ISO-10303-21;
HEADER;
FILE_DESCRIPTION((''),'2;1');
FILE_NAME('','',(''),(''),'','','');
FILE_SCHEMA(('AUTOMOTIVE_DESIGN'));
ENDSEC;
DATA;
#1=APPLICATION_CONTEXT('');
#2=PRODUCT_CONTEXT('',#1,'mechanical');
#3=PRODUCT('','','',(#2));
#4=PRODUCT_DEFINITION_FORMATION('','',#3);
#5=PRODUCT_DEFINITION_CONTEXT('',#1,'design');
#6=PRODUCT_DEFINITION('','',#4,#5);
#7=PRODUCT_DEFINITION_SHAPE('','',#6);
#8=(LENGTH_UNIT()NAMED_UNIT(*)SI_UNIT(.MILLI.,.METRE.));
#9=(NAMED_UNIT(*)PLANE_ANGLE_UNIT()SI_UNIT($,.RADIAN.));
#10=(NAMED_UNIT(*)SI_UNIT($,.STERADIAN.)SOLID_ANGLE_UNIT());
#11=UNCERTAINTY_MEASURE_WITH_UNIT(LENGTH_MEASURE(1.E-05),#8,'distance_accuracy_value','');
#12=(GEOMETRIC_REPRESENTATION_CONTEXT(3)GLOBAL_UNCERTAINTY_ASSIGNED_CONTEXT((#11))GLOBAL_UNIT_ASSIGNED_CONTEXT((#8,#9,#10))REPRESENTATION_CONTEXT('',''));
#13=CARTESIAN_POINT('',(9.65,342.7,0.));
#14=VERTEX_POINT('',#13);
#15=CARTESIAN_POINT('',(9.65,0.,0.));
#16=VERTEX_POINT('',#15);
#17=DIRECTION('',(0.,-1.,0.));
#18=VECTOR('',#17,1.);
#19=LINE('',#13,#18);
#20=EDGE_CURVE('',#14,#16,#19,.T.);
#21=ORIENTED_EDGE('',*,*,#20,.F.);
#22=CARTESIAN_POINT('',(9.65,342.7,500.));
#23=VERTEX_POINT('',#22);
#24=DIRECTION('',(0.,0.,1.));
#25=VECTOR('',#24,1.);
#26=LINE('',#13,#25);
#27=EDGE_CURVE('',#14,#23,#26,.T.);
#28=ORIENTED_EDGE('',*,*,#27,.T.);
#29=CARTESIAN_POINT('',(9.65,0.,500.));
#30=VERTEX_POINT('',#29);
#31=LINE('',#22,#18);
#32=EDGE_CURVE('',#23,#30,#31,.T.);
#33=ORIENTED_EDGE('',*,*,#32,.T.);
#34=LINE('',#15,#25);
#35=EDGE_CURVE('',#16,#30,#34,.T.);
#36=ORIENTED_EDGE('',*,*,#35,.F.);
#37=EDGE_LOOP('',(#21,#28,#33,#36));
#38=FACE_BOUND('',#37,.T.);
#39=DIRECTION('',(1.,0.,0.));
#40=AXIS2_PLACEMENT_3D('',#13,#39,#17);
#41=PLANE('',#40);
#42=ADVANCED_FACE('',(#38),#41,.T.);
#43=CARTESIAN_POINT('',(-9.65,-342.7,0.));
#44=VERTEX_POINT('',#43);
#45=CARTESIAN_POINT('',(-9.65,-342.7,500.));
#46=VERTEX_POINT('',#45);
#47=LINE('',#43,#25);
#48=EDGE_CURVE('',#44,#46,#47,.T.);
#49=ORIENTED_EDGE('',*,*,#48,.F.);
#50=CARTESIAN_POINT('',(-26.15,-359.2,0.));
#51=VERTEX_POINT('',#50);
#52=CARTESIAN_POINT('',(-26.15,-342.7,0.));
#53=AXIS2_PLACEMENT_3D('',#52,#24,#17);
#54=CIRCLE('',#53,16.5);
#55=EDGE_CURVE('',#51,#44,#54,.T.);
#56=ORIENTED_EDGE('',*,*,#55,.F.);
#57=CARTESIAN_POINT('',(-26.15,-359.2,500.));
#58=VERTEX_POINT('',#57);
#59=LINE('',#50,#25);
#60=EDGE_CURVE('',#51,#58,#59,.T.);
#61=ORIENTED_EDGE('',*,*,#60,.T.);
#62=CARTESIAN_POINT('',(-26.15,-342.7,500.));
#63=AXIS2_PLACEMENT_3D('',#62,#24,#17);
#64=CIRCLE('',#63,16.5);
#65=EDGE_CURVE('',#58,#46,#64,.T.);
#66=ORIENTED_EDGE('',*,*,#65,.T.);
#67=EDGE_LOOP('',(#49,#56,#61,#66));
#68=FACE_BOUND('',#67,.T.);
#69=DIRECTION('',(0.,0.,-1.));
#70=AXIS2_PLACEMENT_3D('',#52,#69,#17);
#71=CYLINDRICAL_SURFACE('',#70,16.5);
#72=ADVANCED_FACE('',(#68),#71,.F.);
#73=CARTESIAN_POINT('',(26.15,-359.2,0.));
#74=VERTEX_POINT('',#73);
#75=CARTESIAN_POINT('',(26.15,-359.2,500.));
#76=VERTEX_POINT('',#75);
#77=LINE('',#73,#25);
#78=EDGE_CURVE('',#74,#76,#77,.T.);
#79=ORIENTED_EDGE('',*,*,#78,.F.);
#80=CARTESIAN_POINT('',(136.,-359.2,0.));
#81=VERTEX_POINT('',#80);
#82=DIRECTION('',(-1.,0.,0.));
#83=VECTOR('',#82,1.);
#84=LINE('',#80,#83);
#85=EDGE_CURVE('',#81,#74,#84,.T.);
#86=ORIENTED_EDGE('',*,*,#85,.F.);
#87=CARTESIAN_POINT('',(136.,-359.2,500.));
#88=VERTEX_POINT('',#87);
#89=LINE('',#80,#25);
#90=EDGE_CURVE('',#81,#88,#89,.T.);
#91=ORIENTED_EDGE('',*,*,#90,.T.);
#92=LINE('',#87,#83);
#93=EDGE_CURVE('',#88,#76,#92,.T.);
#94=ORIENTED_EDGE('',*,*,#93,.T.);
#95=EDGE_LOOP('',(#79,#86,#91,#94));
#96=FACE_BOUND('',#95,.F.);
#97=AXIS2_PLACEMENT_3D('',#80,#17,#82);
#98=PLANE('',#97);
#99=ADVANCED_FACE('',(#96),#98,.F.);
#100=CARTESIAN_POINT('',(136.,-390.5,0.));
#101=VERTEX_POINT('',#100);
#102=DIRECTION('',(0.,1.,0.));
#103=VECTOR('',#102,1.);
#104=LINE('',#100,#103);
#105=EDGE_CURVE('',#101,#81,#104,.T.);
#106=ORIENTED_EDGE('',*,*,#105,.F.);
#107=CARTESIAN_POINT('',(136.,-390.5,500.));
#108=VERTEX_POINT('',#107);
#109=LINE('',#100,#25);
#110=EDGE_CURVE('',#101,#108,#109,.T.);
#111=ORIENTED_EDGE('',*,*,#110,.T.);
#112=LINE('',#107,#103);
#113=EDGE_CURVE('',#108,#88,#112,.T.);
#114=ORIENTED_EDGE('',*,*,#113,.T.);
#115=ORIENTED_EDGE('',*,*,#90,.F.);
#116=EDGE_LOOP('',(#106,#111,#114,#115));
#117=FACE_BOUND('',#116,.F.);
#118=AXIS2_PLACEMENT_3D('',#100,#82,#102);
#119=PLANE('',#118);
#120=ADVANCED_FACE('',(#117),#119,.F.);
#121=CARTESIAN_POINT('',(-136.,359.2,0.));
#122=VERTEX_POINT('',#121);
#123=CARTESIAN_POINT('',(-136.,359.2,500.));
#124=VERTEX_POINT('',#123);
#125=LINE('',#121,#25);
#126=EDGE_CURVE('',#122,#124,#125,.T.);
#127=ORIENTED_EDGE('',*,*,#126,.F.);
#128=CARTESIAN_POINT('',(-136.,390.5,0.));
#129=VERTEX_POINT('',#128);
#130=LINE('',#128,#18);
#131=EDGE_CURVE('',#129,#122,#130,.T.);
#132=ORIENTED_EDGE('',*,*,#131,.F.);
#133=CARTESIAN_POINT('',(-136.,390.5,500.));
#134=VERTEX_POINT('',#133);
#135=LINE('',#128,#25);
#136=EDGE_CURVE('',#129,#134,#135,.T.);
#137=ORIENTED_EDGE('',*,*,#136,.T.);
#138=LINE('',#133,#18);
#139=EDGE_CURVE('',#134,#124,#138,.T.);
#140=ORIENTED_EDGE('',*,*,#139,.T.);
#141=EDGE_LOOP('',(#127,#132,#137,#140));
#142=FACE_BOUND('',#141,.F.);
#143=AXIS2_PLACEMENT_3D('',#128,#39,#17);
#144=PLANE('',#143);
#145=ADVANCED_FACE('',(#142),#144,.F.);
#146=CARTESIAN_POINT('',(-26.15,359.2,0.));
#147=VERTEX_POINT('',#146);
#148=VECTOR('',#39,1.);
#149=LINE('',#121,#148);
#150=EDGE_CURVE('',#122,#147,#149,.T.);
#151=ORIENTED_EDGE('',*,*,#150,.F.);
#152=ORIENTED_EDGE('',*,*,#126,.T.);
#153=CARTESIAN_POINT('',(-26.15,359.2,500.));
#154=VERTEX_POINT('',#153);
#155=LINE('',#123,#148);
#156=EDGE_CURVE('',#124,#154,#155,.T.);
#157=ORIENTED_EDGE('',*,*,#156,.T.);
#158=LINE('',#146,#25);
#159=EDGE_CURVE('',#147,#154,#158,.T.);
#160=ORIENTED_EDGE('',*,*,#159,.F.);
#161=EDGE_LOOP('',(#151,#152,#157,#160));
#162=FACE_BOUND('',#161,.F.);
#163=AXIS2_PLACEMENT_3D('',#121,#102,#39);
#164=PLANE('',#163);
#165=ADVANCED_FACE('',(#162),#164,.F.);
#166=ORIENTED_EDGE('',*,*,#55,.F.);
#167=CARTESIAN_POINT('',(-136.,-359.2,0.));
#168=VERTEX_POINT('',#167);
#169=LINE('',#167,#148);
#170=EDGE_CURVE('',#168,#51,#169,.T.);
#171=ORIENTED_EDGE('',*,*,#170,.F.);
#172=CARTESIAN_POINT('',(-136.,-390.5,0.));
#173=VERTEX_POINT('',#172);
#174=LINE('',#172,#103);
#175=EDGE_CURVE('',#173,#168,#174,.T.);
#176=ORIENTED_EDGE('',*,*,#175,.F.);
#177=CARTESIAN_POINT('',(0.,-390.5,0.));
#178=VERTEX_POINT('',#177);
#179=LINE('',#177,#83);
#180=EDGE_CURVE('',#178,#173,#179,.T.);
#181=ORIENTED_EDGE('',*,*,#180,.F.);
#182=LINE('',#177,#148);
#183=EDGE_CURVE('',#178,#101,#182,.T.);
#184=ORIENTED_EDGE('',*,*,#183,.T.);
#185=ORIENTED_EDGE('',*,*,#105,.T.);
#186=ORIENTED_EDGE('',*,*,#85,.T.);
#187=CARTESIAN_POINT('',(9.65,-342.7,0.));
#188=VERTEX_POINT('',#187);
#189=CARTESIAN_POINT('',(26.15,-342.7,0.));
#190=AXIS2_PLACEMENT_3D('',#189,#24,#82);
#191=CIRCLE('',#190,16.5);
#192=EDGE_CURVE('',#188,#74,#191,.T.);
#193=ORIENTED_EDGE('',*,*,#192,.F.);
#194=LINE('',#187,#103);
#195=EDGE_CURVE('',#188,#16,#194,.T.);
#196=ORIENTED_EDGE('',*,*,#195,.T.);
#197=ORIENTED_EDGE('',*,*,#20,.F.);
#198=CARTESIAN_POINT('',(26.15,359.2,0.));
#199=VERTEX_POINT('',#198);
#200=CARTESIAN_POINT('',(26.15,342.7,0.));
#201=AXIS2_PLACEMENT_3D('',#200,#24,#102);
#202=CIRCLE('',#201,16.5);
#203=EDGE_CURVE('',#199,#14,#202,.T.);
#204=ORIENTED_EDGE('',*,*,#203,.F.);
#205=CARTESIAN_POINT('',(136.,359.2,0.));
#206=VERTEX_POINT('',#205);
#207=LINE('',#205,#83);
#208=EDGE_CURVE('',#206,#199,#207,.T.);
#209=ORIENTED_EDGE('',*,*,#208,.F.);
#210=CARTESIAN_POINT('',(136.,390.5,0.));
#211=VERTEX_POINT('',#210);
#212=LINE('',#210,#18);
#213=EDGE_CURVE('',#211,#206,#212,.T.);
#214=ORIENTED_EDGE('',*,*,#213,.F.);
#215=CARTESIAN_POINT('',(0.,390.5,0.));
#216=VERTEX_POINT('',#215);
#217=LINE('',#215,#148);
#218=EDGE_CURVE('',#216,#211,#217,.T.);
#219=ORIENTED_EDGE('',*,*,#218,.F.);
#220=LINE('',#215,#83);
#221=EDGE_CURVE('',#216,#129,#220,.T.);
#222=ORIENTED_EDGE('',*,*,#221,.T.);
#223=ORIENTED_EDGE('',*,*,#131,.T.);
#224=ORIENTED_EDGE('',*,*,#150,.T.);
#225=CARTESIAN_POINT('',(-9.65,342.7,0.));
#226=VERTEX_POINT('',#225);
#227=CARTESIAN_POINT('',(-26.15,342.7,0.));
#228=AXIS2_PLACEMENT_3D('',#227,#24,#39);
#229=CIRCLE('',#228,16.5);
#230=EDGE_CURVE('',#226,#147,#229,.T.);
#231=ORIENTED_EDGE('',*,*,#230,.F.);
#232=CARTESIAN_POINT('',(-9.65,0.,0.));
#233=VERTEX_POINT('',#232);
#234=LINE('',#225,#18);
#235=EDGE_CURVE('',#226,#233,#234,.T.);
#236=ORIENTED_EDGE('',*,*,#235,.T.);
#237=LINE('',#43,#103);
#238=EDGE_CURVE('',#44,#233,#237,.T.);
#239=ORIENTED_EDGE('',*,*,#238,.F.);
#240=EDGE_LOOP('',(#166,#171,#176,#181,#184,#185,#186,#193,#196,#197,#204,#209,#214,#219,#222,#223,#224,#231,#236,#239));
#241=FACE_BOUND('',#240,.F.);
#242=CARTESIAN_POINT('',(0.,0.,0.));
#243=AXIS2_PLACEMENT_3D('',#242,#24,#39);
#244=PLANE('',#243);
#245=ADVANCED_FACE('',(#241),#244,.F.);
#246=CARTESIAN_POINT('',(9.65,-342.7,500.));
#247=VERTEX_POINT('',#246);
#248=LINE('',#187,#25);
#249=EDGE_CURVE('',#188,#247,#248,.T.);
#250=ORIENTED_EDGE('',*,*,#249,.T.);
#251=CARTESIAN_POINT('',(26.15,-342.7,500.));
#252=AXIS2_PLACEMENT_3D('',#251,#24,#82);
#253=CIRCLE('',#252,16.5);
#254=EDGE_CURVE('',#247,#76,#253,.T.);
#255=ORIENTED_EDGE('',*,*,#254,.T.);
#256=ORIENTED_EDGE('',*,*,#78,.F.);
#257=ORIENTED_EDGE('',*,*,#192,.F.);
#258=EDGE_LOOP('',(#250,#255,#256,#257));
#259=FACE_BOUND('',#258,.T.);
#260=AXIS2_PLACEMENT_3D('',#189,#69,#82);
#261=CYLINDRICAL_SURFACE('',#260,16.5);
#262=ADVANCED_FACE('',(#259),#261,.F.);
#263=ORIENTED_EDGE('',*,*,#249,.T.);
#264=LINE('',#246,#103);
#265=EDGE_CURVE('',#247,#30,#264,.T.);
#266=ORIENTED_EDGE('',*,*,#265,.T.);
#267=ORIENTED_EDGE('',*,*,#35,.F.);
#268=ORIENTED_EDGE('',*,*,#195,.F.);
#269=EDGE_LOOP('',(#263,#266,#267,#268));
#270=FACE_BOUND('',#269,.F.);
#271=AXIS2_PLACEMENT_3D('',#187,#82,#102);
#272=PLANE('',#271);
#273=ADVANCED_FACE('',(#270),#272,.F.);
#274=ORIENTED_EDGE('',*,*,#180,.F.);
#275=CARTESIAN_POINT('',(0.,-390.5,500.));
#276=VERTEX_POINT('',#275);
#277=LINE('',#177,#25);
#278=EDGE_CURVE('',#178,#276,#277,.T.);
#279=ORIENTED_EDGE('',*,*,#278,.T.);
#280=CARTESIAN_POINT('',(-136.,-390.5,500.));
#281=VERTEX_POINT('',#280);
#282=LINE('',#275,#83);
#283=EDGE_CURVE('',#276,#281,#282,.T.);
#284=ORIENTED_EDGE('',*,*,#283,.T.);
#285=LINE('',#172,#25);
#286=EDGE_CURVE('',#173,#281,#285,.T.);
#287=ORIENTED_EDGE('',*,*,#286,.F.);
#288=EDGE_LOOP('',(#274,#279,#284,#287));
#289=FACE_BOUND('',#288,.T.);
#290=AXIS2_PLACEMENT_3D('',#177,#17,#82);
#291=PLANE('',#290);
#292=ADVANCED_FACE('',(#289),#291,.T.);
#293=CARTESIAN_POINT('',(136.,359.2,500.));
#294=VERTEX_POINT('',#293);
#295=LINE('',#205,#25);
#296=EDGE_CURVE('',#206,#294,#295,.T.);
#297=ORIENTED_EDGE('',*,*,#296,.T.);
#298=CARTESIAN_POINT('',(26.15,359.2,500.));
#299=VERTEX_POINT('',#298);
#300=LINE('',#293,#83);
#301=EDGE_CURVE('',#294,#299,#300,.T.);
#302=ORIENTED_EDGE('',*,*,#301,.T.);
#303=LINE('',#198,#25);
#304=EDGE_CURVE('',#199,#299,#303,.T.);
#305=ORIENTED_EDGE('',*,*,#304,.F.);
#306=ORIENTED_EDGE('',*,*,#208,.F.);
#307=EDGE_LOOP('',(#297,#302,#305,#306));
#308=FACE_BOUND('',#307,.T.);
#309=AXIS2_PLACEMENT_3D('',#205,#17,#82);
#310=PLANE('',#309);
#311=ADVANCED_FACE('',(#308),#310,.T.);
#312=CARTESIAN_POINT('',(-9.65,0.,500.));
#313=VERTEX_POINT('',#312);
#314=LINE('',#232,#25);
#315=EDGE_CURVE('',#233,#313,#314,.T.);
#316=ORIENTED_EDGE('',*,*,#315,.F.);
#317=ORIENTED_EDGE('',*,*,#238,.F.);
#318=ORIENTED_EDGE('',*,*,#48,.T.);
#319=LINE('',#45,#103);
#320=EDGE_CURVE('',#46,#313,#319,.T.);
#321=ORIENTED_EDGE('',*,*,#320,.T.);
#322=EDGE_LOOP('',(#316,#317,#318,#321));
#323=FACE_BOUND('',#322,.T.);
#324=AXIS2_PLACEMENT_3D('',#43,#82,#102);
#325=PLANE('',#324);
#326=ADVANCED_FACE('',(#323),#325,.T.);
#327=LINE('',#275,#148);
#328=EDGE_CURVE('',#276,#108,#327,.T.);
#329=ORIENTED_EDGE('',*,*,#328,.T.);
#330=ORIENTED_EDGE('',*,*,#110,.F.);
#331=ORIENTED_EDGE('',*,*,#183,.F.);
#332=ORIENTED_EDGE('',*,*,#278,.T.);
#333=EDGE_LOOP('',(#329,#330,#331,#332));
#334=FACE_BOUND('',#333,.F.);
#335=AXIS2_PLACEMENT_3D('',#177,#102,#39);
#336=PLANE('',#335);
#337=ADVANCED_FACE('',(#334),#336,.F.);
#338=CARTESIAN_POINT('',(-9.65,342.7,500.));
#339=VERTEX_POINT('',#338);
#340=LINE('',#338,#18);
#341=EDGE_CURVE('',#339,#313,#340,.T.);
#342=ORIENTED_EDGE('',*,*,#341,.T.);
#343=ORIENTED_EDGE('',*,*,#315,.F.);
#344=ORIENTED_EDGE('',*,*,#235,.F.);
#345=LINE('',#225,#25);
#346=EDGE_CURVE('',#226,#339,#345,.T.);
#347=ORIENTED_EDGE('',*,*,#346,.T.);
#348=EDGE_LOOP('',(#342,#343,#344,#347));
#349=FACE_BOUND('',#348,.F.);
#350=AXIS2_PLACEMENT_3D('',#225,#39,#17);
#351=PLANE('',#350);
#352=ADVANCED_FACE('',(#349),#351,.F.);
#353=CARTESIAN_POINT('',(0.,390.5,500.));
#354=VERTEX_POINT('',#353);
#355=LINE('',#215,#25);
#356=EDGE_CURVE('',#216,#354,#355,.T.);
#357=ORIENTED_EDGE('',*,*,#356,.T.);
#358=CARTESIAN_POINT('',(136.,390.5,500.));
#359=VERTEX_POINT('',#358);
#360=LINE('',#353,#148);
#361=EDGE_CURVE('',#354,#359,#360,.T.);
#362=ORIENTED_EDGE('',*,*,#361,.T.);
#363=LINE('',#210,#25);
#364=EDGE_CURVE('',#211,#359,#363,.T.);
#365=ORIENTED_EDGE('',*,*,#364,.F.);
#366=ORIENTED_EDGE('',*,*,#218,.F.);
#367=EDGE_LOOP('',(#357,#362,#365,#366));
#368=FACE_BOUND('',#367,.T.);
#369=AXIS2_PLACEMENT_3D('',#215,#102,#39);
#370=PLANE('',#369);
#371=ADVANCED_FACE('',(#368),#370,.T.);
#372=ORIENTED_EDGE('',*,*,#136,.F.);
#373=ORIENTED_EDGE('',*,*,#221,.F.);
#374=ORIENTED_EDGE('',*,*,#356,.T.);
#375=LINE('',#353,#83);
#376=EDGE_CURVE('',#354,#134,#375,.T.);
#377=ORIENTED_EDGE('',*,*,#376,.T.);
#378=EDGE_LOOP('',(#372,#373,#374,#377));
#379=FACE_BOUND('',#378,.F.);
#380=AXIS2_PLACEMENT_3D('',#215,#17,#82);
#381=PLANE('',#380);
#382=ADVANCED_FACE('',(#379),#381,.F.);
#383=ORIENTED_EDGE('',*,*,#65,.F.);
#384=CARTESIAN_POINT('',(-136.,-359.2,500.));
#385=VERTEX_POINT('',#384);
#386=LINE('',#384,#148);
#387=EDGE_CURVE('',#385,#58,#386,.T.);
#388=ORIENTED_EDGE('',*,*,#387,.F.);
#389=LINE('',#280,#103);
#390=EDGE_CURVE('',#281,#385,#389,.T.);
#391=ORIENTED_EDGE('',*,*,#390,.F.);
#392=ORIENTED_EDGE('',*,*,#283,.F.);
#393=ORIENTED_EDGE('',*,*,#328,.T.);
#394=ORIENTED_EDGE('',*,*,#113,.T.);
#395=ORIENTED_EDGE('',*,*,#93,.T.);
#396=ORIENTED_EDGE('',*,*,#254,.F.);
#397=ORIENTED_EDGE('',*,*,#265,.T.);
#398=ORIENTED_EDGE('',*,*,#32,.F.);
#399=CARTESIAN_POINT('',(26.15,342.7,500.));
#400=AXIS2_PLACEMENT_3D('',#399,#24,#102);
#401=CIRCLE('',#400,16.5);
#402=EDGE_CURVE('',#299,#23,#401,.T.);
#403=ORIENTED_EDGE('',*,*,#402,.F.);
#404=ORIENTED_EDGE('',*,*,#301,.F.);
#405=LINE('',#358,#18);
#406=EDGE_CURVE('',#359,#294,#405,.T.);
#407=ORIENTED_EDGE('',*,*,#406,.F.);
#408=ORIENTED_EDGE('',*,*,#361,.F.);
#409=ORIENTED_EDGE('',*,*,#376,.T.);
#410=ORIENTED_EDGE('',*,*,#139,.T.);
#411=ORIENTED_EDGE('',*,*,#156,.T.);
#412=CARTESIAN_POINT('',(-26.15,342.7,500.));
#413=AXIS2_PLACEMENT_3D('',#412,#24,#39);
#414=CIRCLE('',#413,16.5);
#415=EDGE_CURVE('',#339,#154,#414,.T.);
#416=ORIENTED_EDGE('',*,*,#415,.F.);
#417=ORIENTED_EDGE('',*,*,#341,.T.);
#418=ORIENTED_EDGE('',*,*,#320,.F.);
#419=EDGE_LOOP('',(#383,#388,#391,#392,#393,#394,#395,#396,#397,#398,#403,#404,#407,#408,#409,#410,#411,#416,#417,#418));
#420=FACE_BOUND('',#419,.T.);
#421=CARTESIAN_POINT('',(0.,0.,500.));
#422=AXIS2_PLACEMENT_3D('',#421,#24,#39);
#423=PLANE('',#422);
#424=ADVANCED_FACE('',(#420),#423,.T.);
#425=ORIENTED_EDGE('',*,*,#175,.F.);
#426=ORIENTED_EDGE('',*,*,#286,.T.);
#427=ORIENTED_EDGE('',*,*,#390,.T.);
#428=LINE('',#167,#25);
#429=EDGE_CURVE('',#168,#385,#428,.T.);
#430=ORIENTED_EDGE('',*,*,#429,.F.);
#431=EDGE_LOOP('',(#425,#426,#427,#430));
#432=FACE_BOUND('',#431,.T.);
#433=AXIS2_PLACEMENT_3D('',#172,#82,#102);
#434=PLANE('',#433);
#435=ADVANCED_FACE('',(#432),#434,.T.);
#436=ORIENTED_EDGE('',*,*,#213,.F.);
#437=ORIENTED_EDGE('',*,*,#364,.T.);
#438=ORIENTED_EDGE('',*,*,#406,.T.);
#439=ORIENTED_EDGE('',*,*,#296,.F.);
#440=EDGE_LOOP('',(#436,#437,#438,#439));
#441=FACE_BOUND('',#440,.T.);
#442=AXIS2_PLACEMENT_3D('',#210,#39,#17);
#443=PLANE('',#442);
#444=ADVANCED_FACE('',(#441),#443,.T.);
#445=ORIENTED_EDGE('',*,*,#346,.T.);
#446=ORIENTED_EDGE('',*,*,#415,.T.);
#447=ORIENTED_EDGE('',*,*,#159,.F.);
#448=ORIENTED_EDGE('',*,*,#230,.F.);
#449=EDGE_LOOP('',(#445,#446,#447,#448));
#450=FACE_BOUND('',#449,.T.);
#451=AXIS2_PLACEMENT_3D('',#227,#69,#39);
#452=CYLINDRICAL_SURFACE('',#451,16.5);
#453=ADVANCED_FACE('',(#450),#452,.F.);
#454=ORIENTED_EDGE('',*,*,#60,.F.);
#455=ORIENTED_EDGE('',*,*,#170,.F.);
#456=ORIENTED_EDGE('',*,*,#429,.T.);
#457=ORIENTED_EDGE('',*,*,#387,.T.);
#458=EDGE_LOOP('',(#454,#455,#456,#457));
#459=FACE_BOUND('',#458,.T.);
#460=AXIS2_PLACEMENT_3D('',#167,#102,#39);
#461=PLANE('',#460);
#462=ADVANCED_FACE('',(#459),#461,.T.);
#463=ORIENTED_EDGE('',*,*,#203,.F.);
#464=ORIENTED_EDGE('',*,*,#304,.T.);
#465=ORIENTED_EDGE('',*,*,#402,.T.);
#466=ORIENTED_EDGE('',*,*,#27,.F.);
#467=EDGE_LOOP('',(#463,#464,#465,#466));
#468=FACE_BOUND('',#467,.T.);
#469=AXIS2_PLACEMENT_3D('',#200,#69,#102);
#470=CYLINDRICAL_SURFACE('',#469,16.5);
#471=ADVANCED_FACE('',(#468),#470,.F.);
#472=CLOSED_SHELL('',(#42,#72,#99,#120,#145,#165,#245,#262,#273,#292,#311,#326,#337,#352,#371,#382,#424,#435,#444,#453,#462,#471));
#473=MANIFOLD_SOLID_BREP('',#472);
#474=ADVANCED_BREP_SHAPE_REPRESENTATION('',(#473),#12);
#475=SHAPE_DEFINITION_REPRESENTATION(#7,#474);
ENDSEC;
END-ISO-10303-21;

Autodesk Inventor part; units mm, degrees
ref_plane "YZ Plane" through (0, 0, 0) normal (1, 0, 0) x (0, 1, 0)
ref_plane "Start plane" through (0, 0, 0) normal (0, 0, 1) x (1, 0, 0)
ref_plane "End plane" through (0, 0, 500) normal (0, 0, 1) x (1, 0, 0)
sketch "Sketch" plane through (0, 0, 0) normal (0, 0, 1) x (1, 0, 0)
  line L0 (-136, -390.5) -> (-136, -359.2)
  line L1 (-136, -359.2) -> (-26.15, -359.2)
  line L2 (-9.65, -342.7) -> (-9.65, 0)
  line L3 (-9.65, 0) -> (0, 0) construction
  line L4 (0, 0) -> (0, -390.5) construction
  line L5 (0, -390.5) -> (-136, -390.5)
  line L6 (-60, 0) -> (80, 0) construction
  line L7 (0, -60) -> (0, 80) construction
  line L8 (136, -390.5) -> (136, -359.2)
  line L9 (136, -359.2) -> (26.15, -359.2)
  line L10 (9.65, -342.7) -> (9.65, 0)
  line L11 (9.65, 0) -> (0, 0) construction
  line L12 (0, -390.5) -> (136, -390.5)
  line L13 (-136, 390.5) -> (-136, 359.2)
  line L14 (-136, 359.2) -> (-26.15, 359.2)
  line L15 (-9.65, 342.7) -> (-9.65, 0)
  line L16 (0, 390.5) -> (-136, 390.5)
  line L17 (136, 390.5) -> (136, 359.2)
  line L18 (136, 359.2) -> (26.15, 359.2)
  line L19 (0, 390.5) -> (136, 390.5)
  line L20 (9.65, 342.7) -> (9.65, 0)
  arc A0 (-9.65, 342.7) -> (-26.15, 359.2) centre (-26.15, 342.7) ccw
  arc A1 (26.15, 359.2) -> (9.65, 342.7) centre (26.15, 342.7) ccw
  arc A2 (9.65, -342.7) -> (26.15, -359.2) centre (26.15, -342.7) ccw
  arc A3 (-26.15, -359.2) -> (-9.65, -342.7) centre (-26.15, -342.7) ccw
  line L21 (0, 108) -> (0, -88) construction
  line L22 (-88, 0) -> (108, 0) construction
  point P0 (-9.65, -359.2)
  point P1 (9.65, -359.2)
  point P2 (-9.65, 359.2)
  point P3 (9.65, 359.2)
  dimension "d1" = 390.5
  dimension "d2" = 31.3
  dimension "d3" = 136
  dimension "d4" = 9.65
  dimension "d10" = 16.5
extrude "Body" add sketch "Sketch" along normal up to surface (500 mm away) from surface at 0
sketch "Sketch4" plane through (0, 0, 0) normal (0, 0, 1) x (1, 0, 0)
  line L0 (0, 0) -> (10, 0)
ref_plane "Work Plane3" through (0, 0, 0) normal (0, -1, 0) x (1, 0, 0)
sketch "Sketch5" plane through (0, 0, 0) normal (0, -1, 0) x (1, 0, 0)
  line L0 (-2, 0) -> (12, 0) projected
  line L1 (-2, 500) -> (12, 500) projected
  dimension "d14" = 500
equation "\"d1\" = 0.5 * G_H"
equation "\"d2\" = G_T1"
equation "\"d3\" = 0.5 * G_W"
equation "\"d4\" = 0.5 * G_T"
equation "\"d10\" = G_IR"
equation "\"d5\" = G_L"
equation "\"G_W\" = 272"
equation "\"G_H\" = 781"
equation "\"G_T\" = 19.3"
equation "\"G_T1\" = 31.3"
equation "\"G_IR\" = 16.5"
equation "\"G_L\" = d14"
equation "\"G_OFFSET_START\" = 0"
equation "\"G_OFFSET_END\" = 0"
properties part number "AS 3679-1990 - 760 UB - 244 - 500" material "Steel, Mild"
